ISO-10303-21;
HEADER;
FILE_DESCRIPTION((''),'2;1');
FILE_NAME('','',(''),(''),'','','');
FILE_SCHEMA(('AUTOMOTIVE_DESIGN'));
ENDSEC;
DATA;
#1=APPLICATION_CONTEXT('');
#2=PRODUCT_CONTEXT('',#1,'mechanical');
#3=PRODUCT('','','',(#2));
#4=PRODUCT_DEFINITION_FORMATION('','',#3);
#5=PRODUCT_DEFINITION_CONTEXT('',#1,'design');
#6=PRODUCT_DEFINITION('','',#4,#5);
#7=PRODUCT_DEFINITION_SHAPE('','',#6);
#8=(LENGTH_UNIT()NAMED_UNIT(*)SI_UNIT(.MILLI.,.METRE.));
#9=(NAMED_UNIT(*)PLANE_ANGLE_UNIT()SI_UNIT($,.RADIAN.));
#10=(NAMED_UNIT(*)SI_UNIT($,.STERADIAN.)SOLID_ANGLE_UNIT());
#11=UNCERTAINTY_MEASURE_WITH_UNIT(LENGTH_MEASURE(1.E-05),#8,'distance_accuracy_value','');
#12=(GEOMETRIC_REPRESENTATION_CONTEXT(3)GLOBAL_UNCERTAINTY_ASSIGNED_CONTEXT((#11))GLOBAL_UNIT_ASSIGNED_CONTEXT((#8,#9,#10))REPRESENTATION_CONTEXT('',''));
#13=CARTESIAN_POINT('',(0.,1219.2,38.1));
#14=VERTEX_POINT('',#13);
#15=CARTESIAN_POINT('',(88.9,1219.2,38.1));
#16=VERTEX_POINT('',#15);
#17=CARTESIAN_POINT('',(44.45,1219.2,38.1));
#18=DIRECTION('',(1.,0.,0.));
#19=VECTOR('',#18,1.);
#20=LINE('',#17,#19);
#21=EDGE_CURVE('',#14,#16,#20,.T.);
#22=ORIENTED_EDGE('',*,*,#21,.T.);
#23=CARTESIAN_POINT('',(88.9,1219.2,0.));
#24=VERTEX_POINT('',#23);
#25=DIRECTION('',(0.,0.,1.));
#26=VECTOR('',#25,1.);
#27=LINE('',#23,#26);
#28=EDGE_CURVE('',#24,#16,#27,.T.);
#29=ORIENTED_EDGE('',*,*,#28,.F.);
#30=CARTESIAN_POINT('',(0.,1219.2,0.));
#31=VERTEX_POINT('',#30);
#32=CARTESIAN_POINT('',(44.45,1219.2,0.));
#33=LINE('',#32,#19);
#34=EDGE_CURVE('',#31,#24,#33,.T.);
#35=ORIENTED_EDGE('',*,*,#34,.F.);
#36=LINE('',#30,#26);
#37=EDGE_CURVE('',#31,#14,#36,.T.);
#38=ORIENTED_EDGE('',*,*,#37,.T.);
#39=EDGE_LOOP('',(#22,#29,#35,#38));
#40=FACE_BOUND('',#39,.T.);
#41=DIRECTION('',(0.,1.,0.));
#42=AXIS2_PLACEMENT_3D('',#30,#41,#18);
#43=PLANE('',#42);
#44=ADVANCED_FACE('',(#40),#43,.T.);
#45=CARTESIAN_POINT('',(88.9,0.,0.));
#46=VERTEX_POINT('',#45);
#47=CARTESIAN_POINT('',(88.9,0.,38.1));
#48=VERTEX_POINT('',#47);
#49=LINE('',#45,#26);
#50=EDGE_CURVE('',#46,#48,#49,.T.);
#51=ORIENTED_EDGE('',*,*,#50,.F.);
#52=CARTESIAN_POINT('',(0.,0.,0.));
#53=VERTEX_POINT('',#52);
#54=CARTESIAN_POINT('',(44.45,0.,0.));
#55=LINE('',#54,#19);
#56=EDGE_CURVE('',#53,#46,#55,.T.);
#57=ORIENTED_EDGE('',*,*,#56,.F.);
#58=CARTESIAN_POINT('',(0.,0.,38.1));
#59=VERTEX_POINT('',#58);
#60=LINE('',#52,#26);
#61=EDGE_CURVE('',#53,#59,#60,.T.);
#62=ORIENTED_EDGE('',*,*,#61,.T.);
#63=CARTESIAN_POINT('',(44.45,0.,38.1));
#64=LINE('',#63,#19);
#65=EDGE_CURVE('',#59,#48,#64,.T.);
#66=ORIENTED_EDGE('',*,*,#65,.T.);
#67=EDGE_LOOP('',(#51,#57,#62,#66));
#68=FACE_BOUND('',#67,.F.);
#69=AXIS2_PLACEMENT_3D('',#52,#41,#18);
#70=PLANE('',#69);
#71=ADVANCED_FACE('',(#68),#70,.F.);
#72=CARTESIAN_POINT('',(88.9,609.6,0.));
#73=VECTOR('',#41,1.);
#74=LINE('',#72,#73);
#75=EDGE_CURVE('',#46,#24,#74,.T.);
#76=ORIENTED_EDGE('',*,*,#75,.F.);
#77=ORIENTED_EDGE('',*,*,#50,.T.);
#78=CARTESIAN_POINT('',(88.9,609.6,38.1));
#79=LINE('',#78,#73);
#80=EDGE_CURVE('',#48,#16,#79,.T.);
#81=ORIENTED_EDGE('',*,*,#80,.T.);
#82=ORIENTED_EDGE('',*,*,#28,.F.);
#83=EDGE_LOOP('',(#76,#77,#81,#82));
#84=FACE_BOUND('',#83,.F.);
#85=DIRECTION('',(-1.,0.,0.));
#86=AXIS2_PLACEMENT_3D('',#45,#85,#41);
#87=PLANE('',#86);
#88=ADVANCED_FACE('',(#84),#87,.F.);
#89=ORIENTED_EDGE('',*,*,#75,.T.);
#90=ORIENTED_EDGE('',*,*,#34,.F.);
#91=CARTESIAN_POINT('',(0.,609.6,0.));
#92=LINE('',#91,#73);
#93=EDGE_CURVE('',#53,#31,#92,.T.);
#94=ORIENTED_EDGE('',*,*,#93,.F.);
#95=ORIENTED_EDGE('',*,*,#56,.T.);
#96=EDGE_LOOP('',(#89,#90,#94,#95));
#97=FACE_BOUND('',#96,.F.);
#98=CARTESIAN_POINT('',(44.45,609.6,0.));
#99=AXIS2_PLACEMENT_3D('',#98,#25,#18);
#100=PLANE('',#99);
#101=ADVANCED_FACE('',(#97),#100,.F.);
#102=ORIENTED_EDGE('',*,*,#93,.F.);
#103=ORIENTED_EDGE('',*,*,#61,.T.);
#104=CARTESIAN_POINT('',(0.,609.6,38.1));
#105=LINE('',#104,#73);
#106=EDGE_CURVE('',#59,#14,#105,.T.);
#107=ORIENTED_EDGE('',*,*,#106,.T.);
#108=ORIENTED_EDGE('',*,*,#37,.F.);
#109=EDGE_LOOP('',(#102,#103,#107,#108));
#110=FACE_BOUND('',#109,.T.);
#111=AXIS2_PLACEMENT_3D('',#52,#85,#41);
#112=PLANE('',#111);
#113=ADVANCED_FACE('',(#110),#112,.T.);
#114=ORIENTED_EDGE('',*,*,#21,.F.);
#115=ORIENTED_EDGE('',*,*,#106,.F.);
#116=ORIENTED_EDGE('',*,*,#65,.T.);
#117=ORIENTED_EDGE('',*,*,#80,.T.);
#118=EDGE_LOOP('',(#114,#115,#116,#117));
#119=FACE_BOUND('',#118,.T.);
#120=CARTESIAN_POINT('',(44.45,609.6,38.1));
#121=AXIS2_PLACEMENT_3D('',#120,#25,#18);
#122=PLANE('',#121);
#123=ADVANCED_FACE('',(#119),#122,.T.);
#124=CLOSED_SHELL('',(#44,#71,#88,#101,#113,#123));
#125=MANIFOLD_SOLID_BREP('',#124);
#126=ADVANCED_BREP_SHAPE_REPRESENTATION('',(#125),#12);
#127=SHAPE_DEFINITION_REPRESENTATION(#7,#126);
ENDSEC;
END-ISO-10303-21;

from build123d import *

# Parameters (mm, degrees)
SKETCH2_W           = 88.9
SKETCH2_H           = 1219.2
BOSS_EXTRUDE1_DEPTH = 38.1


with BuildPart() as part:
    # Sketch2 → Boss-Extrude1 (new body)
    with BuildSketch(Plane.XY):
        with Locations((44.45, 609.6)):
            Rectangle(SKETCH2_W, SKETCH2_H)
    extrude(amount=BOSS_EXTRUDE1_DEPTH)


solid = part.part
